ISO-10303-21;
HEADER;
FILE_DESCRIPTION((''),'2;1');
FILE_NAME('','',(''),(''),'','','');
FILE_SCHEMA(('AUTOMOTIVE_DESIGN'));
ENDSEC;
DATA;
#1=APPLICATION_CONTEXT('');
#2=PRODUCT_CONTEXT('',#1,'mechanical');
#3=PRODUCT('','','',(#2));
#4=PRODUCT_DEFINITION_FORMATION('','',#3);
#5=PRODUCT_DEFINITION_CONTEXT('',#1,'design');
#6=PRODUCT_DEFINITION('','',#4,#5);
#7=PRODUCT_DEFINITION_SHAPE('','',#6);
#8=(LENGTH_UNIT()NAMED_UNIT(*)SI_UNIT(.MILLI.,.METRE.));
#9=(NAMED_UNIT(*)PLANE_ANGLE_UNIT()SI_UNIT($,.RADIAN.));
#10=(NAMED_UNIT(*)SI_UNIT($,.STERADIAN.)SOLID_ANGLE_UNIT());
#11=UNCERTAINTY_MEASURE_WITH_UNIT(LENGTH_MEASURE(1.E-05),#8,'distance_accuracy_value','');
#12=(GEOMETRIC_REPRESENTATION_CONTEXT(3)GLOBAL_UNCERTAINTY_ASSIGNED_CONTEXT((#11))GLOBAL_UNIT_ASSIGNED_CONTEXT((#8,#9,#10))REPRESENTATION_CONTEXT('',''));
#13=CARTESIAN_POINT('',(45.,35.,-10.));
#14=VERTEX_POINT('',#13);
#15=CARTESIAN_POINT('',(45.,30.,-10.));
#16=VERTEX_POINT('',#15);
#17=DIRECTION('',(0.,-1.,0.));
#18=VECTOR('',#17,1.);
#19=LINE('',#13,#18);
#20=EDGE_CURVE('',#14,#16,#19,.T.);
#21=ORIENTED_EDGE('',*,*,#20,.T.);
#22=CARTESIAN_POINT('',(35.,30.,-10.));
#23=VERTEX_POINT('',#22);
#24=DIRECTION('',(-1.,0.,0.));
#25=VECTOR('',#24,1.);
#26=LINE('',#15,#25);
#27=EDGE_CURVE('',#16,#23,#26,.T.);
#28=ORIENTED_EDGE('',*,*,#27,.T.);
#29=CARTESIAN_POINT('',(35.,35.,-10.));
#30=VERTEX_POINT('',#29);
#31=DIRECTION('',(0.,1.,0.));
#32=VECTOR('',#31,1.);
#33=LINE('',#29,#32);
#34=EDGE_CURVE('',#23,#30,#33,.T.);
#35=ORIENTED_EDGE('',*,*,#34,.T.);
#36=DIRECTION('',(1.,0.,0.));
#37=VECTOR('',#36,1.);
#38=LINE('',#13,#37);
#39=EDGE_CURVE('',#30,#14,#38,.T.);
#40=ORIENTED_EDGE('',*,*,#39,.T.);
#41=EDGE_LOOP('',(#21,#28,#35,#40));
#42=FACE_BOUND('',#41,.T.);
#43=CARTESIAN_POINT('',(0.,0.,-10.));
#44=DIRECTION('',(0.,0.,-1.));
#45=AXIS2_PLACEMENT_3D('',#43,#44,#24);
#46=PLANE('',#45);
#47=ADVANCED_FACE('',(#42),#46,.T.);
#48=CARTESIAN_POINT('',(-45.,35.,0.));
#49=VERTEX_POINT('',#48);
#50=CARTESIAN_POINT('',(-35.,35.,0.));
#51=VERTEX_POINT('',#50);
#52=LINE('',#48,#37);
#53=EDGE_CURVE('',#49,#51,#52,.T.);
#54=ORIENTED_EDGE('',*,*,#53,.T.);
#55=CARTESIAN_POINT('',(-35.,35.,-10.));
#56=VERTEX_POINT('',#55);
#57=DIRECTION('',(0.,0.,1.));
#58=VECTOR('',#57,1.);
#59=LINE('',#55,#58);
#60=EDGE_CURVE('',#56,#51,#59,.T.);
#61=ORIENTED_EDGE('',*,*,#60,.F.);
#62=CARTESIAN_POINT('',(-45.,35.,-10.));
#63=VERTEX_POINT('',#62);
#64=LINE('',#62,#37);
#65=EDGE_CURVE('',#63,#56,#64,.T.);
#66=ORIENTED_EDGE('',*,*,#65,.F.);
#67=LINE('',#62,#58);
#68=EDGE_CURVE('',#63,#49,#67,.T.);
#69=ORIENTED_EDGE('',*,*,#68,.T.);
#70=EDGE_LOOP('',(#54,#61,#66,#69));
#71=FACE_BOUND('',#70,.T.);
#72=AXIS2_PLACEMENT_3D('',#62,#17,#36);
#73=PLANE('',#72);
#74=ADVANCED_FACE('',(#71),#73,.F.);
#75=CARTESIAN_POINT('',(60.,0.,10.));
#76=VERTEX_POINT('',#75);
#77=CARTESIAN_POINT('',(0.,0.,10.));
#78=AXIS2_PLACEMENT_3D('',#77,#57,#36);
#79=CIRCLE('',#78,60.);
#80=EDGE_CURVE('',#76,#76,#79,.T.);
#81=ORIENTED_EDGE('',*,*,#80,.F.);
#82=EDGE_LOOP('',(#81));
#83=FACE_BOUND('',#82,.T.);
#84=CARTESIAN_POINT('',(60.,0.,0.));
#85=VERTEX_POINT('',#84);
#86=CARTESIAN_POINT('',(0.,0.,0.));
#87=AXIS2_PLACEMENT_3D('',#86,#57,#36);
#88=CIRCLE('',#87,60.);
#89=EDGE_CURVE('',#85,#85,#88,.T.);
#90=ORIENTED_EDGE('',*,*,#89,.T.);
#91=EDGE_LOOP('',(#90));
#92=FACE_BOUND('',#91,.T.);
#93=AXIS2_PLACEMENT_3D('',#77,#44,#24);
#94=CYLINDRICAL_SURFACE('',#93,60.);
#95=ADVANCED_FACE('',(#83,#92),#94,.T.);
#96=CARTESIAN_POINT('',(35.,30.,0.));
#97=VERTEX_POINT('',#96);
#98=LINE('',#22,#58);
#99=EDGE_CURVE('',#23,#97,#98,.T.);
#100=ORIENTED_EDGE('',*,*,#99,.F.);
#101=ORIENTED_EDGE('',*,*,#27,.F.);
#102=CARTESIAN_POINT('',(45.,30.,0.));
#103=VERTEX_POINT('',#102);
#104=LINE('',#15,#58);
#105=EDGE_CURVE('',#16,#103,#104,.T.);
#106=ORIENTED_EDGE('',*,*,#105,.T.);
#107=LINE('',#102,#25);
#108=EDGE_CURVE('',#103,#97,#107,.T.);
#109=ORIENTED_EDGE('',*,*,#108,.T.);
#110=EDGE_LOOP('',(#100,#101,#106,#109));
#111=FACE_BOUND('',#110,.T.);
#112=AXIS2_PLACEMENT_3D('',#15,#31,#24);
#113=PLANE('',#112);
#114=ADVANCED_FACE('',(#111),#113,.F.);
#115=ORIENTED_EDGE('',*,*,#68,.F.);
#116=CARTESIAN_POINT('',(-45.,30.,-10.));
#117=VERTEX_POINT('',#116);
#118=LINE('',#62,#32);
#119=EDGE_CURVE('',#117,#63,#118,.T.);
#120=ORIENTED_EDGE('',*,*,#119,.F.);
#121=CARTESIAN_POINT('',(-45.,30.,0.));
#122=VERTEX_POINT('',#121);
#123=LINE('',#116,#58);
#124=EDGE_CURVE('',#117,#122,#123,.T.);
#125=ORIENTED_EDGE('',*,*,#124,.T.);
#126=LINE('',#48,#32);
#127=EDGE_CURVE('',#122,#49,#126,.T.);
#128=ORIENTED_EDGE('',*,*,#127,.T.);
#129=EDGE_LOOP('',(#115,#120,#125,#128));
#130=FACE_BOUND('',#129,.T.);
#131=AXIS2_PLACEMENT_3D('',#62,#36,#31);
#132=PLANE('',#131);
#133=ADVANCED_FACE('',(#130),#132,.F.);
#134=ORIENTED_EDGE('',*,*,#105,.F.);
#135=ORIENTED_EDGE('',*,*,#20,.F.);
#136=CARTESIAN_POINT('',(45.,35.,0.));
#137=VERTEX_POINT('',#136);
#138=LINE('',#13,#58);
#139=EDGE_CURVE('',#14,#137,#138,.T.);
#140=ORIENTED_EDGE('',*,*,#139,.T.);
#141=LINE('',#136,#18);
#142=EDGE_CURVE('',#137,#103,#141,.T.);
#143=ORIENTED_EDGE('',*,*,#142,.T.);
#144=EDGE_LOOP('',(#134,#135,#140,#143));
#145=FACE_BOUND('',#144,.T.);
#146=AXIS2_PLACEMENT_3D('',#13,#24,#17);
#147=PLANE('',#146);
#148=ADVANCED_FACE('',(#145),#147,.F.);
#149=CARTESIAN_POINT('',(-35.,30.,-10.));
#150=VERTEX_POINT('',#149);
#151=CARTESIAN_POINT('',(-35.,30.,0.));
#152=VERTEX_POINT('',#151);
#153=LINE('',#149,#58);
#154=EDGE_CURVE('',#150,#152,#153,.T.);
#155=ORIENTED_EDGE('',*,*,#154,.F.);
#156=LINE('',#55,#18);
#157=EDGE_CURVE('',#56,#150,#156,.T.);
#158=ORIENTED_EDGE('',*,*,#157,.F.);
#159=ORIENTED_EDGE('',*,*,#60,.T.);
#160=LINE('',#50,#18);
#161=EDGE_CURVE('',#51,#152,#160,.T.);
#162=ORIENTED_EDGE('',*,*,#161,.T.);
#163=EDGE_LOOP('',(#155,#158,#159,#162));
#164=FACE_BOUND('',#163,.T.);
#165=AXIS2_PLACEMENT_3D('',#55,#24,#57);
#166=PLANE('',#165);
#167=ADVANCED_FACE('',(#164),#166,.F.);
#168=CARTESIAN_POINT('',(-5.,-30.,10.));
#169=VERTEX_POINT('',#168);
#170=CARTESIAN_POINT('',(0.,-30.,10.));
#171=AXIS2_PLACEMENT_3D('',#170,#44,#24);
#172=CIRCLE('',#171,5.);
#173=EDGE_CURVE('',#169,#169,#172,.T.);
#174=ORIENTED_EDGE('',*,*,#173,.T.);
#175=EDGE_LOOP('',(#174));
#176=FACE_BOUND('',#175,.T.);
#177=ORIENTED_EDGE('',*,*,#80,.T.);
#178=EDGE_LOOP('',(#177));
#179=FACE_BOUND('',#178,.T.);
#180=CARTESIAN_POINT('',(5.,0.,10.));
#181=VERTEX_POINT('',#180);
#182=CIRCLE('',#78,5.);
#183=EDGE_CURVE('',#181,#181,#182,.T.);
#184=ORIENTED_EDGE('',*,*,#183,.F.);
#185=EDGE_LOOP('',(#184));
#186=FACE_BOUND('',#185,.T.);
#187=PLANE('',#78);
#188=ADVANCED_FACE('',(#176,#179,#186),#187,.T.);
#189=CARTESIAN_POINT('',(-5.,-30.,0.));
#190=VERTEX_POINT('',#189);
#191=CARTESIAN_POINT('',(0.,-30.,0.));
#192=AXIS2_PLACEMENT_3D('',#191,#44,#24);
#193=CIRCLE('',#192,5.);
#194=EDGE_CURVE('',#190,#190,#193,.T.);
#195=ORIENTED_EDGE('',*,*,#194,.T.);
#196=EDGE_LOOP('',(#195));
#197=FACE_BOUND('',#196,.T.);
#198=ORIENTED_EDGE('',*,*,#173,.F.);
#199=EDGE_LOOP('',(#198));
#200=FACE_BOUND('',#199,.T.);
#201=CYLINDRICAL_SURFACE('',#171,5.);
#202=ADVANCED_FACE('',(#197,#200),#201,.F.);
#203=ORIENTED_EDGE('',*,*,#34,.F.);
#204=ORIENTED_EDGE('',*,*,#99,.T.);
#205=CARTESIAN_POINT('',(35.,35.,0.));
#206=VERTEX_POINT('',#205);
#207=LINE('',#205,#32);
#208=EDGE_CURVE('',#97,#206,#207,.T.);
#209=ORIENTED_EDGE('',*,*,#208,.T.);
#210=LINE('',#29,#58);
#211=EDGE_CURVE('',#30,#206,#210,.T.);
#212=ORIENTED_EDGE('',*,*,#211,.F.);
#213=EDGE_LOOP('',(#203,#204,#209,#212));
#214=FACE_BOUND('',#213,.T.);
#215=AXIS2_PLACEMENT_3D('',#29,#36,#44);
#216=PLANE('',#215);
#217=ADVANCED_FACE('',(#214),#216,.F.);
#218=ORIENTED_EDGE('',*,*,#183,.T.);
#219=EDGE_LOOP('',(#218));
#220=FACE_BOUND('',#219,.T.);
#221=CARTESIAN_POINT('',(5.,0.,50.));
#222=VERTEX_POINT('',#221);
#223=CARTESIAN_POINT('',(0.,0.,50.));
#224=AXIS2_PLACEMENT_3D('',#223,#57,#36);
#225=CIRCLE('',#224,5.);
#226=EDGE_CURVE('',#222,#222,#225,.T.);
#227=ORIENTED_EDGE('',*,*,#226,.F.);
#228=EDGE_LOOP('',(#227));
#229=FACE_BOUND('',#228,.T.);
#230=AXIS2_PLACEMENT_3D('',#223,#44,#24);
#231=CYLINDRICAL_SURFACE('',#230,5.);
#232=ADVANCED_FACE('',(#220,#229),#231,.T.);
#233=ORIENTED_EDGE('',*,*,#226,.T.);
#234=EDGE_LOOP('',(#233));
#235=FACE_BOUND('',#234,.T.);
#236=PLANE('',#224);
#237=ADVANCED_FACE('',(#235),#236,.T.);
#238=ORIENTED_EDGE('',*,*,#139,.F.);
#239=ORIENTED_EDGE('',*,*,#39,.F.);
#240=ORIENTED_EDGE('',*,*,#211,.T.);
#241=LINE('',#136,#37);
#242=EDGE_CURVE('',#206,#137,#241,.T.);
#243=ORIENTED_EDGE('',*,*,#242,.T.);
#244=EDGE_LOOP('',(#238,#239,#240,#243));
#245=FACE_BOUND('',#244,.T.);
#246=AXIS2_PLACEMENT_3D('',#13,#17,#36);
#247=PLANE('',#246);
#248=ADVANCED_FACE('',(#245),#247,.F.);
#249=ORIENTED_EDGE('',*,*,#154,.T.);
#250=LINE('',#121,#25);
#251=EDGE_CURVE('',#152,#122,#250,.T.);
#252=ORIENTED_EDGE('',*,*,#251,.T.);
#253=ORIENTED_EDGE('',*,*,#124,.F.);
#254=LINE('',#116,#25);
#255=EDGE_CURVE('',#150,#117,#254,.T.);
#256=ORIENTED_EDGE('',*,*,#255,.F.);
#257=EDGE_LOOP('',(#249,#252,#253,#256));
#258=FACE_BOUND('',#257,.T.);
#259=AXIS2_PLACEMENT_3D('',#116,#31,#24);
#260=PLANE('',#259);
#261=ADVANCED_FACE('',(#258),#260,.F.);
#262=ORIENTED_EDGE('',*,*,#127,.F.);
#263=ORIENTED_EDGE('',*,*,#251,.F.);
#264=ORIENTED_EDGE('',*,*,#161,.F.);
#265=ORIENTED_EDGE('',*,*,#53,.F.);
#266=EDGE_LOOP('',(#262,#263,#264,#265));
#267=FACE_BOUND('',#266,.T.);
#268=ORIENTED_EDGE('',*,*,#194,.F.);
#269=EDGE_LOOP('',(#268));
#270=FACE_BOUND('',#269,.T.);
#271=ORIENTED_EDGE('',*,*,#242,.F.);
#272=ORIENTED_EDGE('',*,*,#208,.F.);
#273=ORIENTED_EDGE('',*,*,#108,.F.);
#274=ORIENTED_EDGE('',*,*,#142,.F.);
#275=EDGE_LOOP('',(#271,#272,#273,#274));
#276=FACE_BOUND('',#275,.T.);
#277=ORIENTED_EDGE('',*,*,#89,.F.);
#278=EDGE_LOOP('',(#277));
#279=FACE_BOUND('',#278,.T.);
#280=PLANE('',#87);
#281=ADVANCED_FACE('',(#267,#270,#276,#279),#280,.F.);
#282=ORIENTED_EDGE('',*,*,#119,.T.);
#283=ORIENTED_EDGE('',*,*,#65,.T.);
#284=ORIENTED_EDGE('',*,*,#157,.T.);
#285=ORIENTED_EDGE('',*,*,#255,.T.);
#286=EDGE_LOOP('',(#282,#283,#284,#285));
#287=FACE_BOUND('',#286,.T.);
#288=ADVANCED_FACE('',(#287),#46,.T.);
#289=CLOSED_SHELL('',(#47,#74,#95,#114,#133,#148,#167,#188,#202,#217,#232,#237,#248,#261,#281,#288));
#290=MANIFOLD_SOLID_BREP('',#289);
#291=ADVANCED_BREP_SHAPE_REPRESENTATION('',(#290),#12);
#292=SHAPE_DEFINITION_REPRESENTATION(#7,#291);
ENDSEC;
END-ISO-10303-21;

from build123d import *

# Parameters (mm, degrees)
SKETCH1_R           = 60
BOSS_EXTRUDE1_DEPTH = 10
SKETCH2_R           = 5
BOSS_EXTRUDE2_DEPTH = 40
SKETCH5_R           = 5
CUT_EXTRUDE1_DEPTH  = 10
SKETCH6_W           = 10
SKETCH6_H           = 5
BOSS_EXTRUDE4_DEPTH = 10


with BuildPart() as part:
    # Sketch1 → Boss-Extrude1 (new body)
    with BuildSketch(Plane.XY):
        Circle(SKETCH1_R)
    extrude(amount=BOSS_EXTRUDE1_DEPTH)

    # Sketch2 → Boss-Extrude2 (add)
    with BuildSketch(Plane.XY.offset(10)):
        Circle(SKETCH2_R)
    extrude(amount=BOSS_EXTRUDE2_DEPTH)

    # Sketch5 → Cut-Extrude1 (cut)
    with BuildSketch(Plane(origin=(0, 0, 0), x_dir=(-1, 0, 0), z_dir=(0, 0, -1))):
        with Locations((0, -30)):
            Circle(SKETCH5_R)
    extrude(amount=-CUT_EXTRUDE1_DEPTH, mode=Mode.SUBTRACT)

    # Sketch6 → Boss-Extrude4 (add)
    with BuildSketch(Plane(origin=(0, 0, 0), x_dir=(-1, 0, 0), z_dir=(0, 0, -1))):
        with Locations((40, 32.5)):
            Rectangle(SKETCH6_W, SKETCH6_H)
        with Locations((-40, 32.5)):
            Rectangle(SKETCH6_W, SKETCH6_H)
    extrude(amount=BOSS_EXTRUDE4_DEPTH)


solid = part.part
